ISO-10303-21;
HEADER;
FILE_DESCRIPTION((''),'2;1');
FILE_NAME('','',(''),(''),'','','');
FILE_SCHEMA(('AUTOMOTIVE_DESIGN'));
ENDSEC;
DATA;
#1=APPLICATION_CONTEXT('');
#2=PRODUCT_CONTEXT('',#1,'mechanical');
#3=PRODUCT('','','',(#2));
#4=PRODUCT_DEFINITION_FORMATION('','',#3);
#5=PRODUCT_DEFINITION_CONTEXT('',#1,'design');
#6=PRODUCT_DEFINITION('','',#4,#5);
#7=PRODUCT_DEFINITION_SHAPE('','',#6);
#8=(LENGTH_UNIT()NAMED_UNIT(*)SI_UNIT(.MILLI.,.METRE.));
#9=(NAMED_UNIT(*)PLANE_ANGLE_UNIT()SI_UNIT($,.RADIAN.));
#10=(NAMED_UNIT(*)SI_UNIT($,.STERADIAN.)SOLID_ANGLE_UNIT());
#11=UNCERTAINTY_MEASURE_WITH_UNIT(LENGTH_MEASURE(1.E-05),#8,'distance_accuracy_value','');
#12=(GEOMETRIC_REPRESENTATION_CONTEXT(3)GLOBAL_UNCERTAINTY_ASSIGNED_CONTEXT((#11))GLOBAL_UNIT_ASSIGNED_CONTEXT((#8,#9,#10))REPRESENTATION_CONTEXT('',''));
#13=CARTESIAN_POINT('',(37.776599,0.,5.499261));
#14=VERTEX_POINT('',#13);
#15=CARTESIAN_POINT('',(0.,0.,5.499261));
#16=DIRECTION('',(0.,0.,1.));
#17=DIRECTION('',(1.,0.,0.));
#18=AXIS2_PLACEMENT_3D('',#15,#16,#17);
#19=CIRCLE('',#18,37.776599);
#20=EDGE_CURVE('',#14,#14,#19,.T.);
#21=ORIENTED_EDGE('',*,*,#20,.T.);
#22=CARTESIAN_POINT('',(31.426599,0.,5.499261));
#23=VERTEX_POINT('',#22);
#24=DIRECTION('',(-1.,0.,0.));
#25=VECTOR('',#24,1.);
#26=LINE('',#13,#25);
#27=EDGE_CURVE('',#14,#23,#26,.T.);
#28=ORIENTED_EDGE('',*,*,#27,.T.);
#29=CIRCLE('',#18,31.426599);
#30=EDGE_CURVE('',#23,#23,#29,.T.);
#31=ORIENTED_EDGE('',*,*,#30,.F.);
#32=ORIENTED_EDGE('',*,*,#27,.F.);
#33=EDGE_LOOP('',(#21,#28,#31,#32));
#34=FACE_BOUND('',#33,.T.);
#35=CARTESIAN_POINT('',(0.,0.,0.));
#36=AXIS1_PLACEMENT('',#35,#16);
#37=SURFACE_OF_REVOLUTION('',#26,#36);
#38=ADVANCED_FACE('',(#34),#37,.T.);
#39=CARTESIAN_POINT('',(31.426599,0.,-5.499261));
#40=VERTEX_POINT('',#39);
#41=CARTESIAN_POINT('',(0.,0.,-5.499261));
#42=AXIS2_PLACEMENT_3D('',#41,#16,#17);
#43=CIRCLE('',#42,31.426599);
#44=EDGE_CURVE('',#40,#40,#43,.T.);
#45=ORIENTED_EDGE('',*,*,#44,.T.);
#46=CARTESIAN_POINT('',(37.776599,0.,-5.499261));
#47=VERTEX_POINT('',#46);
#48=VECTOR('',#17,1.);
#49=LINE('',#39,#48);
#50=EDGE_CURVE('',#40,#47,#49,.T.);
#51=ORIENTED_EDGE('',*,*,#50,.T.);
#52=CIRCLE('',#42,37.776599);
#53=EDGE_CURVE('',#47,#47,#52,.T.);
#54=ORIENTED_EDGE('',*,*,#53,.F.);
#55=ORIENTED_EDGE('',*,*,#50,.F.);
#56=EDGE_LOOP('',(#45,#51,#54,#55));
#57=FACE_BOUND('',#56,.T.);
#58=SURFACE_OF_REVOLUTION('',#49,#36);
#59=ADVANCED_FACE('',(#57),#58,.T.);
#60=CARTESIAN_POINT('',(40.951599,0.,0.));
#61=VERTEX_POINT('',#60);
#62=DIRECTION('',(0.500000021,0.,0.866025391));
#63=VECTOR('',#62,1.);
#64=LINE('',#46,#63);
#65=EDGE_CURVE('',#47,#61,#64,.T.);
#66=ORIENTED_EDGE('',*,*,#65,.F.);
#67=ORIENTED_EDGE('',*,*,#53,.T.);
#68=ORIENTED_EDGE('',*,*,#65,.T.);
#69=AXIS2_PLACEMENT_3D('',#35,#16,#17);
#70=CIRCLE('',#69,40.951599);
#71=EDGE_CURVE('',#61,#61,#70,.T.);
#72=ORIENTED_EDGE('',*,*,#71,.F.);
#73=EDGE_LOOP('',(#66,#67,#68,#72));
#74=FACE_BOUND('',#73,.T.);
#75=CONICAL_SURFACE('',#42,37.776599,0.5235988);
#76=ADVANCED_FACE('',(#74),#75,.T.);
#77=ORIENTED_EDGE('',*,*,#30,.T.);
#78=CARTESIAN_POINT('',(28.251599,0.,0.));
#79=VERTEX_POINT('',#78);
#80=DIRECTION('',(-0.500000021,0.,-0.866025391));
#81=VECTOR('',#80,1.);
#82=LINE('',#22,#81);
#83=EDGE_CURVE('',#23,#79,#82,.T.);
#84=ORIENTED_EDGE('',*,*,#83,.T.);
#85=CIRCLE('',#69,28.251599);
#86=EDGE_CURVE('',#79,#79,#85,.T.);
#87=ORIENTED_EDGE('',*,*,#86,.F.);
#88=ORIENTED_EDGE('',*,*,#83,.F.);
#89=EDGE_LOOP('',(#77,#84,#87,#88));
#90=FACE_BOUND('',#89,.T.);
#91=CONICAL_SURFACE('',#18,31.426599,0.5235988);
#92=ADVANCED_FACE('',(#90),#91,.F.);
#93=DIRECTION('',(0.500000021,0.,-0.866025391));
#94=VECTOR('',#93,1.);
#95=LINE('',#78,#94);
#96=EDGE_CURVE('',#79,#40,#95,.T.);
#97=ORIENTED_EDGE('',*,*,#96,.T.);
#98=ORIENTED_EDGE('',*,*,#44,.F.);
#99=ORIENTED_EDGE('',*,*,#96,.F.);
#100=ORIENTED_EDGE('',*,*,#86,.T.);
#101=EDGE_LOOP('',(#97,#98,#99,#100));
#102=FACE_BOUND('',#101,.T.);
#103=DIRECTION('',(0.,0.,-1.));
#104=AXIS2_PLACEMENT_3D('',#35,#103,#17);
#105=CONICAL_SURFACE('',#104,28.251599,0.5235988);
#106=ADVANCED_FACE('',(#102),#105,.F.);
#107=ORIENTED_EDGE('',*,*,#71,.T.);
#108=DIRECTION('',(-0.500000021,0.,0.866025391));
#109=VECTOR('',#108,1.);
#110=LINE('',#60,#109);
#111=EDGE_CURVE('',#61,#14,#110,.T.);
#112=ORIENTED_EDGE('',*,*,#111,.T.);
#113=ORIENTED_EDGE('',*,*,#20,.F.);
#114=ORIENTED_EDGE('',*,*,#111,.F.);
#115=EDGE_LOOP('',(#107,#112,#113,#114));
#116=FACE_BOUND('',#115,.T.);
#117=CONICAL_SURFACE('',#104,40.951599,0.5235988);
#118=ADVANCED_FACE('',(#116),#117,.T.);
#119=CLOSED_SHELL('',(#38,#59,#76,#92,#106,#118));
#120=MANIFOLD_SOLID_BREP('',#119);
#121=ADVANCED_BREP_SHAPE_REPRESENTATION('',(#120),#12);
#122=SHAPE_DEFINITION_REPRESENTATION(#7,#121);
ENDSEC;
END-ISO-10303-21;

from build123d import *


with BuildPart() as f2:
    # F2: sweep along a path in F0
    with BuildLine(Plane.XY) as f2_path:
        CenterArc((0, 0), 34.601599, 0, 360)
    # F1 (on Front) → F2 (sweep)
    with BuildSketch(Plane.XZ):
        Polygon((31.426599, 5.499261), (28.251599, 0), (31.426599, -5.499261), (37.776599, -5.499261), (40.951599, 0), (37.776599, 5.499261), align=None)
    sweep(path=f2_path.line)


solid = f2.part
